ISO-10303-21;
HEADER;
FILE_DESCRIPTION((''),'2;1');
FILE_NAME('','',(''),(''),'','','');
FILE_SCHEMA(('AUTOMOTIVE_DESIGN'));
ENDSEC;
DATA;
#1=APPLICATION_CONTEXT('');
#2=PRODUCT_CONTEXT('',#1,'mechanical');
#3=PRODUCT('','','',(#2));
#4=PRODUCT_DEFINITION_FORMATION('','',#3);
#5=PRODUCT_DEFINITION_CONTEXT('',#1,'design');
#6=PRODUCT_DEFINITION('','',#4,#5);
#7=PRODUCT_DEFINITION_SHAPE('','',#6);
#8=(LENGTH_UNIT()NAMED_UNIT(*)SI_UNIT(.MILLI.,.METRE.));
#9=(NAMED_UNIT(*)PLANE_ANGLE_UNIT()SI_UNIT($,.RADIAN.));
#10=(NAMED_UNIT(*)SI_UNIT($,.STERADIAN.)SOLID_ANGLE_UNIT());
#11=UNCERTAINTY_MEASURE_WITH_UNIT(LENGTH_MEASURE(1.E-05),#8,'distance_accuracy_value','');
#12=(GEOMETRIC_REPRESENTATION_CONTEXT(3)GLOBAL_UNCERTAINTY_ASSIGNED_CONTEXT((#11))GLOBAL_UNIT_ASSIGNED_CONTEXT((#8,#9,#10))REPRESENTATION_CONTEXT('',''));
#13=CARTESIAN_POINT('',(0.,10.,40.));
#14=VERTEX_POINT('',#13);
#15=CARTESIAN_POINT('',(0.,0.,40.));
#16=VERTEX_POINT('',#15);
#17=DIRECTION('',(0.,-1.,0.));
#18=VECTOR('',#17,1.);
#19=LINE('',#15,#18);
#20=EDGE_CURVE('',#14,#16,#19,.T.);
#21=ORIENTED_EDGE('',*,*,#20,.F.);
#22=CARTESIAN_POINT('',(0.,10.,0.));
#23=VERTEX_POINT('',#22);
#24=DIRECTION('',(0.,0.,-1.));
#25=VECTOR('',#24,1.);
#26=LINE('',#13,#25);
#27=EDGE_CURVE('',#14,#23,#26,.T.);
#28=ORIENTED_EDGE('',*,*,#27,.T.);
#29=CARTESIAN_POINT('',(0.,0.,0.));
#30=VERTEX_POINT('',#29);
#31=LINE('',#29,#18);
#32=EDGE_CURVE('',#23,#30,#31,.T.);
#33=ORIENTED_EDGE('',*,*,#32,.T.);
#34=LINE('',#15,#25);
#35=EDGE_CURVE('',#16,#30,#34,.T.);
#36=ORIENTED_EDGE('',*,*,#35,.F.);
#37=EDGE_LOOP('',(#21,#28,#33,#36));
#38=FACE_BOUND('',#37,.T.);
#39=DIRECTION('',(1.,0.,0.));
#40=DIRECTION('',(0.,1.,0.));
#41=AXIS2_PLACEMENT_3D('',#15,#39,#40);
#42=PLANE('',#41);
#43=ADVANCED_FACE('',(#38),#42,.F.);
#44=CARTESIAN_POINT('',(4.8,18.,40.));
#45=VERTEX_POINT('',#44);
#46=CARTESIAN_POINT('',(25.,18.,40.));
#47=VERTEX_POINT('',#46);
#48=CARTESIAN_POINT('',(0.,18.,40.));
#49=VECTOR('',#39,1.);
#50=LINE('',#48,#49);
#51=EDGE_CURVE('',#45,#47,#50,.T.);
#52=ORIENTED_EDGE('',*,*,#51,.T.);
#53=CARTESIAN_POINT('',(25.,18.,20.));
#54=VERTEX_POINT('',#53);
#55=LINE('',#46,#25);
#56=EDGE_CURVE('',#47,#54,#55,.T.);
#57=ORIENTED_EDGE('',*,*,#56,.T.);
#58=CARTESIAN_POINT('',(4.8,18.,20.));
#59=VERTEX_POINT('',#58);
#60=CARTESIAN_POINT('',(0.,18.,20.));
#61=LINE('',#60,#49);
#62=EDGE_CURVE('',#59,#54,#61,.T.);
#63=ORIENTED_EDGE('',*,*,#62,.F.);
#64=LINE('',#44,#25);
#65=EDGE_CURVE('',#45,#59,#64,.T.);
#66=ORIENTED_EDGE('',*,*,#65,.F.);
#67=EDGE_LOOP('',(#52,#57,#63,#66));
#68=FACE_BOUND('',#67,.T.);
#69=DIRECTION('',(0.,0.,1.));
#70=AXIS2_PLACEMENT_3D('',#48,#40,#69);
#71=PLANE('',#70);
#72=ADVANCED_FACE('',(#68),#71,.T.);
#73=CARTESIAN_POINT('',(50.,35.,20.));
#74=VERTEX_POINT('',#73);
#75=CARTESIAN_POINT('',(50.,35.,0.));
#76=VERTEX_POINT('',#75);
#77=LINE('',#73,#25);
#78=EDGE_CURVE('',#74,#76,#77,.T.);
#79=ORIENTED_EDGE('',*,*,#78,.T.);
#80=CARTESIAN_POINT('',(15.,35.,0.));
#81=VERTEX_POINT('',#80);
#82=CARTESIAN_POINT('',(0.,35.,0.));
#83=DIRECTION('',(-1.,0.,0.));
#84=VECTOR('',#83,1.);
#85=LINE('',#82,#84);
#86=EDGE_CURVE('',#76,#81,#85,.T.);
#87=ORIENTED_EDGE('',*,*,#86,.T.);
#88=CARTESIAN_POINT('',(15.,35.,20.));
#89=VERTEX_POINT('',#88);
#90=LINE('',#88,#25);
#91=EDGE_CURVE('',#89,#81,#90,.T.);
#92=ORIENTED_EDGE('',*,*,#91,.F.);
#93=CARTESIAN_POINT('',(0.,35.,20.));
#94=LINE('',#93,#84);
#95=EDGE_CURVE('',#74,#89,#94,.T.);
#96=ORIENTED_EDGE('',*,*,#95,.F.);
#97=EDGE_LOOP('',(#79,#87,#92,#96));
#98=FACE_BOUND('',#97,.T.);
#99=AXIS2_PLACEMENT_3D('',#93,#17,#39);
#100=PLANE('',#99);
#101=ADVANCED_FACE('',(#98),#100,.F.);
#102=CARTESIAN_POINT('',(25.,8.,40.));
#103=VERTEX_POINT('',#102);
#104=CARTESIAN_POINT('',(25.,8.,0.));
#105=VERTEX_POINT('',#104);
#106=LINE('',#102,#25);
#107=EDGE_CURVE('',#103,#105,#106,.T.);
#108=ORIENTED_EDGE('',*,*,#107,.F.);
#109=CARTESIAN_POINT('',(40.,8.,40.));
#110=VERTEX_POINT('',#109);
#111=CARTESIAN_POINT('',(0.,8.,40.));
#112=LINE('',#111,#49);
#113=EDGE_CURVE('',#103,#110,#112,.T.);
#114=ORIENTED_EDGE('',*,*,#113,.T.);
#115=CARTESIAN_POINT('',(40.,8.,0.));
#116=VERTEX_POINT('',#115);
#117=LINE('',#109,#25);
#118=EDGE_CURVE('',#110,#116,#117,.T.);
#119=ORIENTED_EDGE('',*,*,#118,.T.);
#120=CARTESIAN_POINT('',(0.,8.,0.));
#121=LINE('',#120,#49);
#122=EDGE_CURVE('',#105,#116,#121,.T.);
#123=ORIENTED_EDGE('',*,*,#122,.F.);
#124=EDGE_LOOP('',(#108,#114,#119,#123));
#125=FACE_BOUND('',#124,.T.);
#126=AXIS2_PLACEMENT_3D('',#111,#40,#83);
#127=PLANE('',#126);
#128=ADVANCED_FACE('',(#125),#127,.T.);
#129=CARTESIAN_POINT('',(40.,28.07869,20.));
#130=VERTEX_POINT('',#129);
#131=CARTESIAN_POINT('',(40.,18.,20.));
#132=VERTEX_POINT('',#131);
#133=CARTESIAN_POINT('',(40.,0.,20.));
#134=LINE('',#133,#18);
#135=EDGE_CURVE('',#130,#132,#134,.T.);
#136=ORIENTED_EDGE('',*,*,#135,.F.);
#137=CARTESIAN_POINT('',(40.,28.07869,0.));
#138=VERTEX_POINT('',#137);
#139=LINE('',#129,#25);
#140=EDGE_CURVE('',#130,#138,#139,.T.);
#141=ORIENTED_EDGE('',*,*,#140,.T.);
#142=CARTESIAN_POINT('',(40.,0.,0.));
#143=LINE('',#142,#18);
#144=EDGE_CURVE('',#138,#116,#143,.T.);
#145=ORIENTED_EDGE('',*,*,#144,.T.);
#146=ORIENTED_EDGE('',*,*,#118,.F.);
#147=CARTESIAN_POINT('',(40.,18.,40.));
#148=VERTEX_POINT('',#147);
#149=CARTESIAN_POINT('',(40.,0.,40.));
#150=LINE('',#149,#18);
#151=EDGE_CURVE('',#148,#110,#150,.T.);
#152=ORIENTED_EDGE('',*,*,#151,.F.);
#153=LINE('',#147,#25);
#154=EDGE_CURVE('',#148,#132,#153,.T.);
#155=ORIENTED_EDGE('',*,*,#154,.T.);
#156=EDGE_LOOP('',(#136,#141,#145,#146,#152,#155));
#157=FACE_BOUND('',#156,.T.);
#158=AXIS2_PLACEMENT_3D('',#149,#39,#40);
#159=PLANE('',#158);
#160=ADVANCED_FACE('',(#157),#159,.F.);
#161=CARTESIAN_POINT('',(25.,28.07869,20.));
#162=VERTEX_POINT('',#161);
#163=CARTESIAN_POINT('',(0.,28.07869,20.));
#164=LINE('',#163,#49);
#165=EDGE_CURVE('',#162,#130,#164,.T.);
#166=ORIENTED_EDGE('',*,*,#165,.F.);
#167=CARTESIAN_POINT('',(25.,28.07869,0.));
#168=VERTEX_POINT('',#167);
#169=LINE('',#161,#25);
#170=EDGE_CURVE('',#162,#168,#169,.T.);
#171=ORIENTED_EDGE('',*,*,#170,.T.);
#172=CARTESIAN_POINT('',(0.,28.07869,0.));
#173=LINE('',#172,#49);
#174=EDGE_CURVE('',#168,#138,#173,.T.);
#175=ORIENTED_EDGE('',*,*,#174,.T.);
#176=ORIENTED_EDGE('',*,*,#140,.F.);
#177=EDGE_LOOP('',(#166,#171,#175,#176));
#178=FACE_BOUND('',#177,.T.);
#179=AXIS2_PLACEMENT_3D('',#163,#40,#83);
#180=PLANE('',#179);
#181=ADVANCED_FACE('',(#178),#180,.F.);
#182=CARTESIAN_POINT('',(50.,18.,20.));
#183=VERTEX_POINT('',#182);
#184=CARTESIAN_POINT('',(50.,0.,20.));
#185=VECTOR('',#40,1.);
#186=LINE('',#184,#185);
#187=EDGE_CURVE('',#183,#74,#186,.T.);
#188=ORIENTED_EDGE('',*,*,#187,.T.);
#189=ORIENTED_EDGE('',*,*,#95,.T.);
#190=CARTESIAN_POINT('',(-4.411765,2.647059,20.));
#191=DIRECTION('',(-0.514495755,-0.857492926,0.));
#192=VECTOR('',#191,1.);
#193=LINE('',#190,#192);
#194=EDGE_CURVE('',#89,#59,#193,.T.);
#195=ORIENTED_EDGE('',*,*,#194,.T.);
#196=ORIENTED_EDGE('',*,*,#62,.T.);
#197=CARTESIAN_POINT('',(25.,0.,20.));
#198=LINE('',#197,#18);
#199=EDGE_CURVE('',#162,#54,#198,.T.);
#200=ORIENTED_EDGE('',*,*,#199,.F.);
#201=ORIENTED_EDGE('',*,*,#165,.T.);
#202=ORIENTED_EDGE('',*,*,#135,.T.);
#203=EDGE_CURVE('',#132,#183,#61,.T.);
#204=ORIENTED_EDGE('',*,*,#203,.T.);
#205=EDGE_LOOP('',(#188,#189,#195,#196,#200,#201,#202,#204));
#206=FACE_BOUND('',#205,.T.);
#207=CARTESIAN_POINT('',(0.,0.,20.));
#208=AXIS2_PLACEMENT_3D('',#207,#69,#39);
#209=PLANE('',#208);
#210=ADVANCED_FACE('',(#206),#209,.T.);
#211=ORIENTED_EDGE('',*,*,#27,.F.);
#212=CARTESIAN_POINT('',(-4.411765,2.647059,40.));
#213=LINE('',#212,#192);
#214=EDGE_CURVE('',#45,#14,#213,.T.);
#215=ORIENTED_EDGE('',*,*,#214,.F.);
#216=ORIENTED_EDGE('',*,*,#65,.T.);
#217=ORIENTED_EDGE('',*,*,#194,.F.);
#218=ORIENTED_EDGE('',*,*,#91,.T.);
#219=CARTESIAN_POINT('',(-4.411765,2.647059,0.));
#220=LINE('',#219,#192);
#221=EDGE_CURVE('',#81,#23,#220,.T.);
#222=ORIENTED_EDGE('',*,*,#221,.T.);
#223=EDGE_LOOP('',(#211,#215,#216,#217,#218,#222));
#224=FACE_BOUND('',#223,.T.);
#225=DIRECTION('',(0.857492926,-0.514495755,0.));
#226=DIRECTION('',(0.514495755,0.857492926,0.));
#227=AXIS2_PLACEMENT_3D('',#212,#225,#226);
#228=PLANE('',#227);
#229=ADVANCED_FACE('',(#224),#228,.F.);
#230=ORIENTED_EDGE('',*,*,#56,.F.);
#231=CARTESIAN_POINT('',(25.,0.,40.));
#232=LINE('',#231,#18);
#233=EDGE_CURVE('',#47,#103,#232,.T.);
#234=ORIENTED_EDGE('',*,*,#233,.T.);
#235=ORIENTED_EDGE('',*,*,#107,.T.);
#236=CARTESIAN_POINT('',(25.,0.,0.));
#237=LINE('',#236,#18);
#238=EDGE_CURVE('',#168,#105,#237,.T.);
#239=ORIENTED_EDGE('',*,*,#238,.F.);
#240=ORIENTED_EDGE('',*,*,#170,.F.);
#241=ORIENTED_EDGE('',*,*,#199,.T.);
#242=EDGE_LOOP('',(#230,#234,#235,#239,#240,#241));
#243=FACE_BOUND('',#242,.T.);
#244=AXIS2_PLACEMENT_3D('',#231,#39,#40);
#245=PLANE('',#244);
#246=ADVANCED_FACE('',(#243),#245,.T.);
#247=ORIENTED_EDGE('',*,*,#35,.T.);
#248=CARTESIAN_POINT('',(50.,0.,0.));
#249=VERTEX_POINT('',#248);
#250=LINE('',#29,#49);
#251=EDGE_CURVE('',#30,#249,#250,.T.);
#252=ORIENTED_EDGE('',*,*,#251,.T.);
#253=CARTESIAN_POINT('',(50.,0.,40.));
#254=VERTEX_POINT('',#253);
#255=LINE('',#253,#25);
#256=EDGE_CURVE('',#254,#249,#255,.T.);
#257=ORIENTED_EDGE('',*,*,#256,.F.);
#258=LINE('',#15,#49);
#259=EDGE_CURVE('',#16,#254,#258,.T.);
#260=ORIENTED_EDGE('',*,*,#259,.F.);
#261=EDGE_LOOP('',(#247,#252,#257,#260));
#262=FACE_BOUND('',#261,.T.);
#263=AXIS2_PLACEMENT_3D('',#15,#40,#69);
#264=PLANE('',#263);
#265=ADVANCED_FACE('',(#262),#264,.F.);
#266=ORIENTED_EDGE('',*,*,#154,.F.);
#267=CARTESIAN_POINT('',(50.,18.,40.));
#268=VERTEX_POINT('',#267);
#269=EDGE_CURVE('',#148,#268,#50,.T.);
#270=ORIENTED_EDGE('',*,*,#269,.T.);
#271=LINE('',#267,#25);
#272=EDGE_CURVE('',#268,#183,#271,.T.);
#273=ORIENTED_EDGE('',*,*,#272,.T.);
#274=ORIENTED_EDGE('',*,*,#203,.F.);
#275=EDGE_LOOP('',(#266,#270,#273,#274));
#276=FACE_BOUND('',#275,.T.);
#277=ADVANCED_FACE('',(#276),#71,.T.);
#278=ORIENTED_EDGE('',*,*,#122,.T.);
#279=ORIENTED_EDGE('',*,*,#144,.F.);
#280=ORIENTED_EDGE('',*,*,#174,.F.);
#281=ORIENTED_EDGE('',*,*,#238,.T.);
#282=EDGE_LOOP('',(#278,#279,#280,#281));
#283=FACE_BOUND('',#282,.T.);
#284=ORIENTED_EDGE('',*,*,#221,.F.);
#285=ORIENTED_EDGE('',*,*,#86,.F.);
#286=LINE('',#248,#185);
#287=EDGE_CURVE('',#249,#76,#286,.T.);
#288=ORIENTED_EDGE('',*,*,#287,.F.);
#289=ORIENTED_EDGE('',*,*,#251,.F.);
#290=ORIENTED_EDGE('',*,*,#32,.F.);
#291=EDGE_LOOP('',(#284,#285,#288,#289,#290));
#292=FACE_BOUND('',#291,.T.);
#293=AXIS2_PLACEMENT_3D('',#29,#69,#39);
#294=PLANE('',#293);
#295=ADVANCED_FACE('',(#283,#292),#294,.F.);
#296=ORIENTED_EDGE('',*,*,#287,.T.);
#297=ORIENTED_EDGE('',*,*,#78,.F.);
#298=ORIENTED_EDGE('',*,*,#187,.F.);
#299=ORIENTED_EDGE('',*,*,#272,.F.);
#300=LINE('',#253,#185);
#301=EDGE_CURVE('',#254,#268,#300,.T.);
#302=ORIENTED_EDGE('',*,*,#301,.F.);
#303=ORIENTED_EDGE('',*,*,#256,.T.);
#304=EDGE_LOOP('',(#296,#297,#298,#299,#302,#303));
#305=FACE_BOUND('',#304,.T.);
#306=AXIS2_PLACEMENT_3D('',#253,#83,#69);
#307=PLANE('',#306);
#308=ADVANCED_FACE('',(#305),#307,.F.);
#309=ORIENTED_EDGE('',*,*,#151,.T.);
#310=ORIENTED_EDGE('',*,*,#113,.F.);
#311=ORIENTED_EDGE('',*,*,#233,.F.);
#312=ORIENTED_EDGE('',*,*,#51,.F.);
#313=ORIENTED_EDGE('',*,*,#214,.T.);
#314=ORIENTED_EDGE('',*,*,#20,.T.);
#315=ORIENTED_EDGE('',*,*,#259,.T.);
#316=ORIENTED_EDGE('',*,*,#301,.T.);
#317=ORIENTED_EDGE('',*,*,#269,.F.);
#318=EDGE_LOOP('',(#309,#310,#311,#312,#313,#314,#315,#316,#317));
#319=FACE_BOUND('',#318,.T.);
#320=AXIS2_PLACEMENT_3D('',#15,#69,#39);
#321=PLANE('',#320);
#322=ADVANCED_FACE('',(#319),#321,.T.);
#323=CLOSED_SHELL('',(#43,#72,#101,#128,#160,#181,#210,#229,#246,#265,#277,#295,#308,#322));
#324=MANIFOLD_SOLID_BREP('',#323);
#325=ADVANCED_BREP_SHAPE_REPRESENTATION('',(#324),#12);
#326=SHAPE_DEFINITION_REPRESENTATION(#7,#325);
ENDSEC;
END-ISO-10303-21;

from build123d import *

# Parameters (mm, degrees)
BOSS_EXTRUDE1_DEPTH = 40
BOSS_EXTRUDE2_DEPTH = 20


with BuildPart() as part:
    # Sketch1 → Boss-Extrude1 (new body)
    with BuildSketch(Plane.XY):
        Polygon((0, 10), (0, 0), (50, 0), (50, 18), (40, 18), (40, 8), (25, 8), (25, 18), (4.8, 18), align=None)
    extrude(amount=BOSS_EXTRUDE1_DEPTH)

    # Sketch1<3> → Boss-Extrude2 (add)
    with BuildSketch(Plane.XY):
        Polygon((40, 18), (50, 18), (50, 35), (15, 35), (4.8, 18), (25, 18), (25, 28.078689743), (40, 28.078689743), align=None)
    extrude(amount=BOSS_EXTRUDE2_DEPTH)


solid = part.part
